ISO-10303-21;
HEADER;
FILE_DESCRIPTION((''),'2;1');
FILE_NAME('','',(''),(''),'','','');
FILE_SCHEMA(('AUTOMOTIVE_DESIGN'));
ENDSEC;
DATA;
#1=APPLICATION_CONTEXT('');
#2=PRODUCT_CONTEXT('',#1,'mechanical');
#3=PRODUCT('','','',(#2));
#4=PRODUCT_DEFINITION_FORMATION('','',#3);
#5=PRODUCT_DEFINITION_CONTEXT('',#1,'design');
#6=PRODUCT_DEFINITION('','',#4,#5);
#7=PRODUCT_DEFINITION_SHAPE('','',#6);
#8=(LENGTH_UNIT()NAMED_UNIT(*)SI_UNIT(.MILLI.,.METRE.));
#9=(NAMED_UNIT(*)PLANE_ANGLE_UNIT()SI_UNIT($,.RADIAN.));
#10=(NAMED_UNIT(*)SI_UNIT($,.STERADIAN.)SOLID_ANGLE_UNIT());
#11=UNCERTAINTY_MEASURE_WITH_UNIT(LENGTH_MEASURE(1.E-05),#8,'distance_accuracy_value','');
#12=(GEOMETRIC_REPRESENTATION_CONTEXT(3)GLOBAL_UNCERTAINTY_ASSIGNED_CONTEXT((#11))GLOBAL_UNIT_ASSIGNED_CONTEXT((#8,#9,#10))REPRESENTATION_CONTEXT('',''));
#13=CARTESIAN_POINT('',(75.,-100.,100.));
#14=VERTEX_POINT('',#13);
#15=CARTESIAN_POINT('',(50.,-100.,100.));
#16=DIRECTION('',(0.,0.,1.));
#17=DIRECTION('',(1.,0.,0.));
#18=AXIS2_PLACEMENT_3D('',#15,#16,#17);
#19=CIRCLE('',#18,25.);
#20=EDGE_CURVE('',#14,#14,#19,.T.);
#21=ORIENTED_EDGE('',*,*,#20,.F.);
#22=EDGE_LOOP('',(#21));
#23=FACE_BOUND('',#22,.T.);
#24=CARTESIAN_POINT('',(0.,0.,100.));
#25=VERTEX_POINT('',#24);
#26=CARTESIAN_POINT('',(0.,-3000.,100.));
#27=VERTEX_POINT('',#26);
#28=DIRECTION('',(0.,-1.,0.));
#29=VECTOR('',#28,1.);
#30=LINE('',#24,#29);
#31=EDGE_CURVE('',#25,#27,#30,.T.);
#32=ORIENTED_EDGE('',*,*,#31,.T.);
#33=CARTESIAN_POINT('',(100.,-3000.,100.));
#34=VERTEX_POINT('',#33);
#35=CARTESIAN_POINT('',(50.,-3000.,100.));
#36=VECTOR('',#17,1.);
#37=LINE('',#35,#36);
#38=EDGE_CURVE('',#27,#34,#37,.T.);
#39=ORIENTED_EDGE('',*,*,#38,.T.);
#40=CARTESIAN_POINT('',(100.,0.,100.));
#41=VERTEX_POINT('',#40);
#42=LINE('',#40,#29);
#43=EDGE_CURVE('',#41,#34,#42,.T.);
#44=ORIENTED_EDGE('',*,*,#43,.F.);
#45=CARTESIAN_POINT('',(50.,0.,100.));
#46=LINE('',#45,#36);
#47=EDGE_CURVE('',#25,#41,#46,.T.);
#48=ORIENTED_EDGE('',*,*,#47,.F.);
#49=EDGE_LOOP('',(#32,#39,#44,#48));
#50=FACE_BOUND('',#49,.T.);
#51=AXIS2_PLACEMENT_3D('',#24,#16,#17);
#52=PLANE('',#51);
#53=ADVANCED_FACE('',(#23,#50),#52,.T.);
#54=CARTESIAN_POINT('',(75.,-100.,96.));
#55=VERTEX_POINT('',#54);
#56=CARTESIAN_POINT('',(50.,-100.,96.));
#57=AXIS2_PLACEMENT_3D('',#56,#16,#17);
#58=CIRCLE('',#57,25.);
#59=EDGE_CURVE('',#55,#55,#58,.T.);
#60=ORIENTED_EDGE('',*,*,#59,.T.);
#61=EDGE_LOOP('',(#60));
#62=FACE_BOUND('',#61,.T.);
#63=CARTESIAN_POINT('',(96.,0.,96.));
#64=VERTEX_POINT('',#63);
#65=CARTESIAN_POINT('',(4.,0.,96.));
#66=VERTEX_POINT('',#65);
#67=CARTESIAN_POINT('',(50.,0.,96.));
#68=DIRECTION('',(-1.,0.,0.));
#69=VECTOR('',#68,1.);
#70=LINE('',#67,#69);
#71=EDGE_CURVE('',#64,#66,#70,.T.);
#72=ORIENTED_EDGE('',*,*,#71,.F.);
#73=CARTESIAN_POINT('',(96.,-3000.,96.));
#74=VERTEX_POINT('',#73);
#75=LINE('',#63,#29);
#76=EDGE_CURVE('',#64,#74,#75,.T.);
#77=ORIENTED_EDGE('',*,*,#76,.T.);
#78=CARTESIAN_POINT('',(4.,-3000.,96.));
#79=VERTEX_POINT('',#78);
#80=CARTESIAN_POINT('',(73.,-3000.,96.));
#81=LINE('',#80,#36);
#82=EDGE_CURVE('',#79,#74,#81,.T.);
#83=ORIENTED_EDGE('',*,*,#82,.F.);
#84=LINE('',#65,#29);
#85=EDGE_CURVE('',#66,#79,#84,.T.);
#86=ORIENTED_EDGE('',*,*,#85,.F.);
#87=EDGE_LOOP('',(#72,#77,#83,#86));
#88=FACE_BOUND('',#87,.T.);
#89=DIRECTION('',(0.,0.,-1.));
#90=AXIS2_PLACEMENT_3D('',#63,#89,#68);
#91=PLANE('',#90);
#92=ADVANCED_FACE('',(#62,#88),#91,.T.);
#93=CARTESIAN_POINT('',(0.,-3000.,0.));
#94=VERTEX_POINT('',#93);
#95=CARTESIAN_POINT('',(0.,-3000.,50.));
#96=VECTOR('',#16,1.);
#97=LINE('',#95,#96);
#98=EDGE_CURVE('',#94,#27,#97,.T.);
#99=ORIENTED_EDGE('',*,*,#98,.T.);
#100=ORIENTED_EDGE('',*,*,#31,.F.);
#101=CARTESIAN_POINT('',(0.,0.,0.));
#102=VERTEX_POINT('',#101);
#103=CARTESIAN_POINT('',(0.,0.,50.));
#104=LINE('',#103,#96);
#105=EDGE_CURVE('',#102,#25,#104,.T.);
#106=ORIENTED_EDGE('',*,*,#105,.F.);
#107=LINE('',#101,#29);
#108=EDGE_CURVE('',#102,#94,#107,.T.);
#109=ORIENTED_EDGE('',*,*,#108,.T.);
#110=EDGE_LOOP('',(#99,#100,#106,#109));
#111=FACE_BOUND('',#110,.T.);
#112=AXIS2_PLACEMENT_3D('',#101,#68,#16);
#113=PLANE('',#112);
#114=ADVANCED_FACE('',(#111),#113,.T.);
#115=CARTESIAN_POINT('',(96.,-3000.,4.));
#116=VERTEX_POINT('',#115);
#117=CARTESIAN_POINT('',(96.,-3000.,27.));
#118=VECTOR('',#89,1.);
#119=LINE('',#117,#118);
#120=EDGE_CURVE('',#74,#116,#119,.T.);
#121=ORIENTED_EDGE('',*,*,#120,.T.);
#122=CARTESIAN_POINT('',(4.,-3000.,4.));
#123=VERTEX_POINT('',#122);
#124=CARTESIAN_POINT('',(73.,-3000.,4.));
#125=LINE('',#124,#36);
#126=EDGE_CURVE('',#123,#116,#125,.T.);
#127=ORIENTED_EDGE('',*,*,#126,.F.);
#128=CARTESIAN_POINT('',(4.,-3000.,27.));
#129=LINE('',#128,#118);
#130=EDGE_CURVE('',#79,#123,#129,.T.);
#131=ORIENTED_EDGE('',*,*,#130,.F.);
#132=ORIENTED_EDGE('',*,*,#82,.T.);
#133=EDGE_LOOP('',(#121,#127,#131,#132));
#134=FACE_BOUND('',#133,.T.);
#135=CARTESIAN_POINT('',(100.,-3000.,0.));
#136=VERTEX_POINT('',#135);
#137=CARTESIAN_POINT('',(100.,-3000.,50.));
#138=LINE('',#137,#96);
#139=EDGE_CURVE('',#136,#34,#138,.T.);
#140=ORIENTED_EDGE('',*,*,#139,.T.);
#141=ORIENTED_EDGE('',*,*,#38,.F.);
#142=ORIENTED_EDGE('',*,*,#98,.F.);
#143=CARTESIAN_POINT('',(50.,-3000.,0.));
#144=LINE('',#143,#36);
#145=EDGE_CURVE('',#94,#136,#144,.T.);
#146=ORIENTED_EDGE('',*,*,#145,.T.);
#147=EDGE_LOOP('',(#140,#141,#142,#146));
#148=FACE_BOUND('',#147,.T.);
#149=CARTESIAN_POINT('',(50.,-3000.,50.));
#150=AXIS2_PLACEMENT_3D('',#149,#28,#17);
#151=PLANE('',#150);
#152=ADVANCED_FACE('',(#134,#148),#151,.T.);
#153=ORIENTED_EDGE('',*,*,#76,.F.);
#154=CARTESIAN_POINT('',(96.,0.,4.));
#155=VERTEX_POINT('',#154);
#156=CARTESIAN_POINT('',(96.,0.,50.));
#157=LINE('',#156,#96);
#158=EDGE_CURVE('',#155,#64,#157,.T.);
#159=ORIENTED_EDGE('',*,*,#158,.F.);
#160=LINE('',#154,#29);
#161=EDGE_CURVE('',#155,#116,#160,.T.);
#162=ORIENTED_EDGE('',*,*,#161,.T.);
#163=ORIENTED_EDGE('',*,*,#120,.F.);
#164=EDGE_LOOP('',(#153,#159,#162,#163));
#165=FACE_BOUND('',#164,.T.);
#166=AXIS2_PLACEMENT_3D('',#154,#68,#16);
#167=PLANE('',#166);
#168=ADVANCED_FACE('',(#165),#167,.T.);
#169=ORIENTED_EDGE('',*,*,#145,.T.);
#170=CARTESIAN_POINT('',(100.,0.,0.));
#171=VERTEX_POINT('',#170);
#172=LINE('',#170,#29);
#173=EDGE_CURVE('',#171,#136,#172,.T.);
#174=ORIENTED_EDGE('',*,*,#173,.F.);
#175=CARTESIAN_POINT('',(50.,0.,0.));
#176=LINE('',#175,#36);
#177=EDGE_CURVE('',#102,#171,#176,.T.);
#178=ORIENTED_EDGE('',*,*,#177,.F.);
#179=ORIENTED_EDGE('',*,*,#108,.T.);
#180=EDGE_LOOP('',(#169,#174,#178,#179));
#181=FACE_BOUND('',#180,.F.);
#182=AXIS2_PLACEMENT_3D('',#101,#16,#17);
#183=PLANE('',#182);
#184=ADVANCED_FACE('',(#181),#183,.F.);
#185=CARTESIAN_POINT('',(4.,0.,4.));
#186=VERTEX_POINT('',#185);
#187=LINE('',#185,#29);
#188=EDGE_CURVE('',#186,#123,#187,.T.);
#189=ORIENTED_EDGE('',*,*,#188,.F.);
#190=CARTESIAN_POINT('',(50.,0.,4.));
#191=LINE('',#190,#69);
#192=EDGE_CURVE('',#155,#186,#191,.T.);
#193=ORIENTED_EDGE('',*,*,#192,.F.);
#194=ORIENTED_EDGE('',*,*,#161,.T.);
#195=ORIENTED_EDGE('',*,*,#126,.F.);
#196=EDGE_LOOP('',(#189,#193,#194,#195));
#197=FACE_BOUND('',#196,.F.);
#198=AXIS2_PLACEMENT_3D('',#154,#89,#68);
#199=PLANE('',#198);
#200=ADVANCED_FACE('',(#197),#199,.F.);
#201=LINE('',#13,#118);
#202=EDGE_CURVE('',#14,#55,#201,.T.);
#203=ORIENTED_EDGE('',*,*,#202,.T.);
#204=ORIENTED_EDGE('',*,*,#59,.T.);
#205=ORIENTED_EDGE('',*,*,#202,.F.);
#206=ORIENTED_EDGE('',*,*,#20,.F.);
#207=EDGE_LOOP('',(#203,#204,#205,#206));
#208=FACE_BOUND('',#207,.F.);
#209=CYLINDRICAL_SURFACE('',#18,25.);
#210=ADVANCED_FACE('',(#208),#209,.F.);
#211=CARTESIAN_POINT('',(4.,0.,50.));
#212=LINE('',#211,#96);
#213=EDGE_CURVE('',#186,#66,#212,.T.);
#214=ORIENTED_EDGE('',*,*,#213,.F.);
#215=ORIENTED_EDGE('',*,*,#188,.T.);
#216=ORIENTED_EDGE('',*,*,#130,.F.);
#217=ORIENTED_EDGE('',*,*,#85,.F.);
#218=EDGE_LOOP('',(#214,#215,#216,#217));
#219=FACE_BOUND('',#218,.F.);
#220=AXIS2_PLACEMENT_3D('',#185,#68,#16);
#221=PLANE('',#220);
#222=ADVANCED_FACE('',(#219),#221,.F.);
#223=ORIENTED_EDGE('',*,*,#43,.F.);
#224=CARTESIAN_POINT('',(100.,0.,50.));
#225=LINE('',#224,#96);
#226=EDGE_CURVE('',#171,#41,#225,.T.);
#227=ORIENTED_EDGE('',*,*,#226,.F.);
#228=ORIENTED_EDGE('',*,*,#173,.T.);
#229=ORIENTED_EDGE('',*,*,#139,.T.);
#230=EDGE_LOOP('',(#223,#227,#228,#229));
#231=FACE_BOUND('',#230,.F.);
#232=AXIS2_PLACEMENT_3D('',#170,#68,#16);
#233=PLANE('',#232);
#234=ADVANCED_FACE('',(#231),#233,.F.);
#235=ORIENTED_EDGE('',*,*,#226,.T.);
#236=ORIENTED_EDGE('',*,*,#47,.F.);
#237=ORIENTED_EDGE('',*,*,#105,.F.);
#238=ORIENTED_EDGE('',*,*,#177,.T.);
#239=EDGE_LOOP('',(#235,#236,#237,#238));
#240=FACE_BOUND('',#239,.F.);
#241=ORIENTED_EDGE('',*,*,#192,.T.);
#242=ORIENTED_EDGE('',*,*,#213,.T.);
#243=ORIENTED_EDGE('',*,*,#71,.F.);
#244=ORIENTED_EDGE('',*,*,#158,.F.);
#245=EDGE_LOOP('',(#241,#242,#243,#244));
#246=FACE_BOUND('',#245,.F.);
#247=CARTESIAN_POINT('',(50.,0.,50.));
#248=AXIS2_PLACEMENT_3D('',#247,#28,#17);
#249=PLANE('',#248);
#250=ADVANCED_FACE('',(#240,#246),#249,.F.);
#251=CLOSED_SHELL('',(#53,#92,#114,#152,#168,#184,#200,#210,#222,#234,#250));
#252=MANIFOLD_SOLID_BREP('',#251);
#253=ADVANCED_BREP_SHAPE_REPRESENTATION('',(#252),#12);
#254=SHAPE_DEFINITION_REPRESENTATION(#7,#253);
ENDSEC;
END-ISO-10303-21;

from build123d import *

# Parameters (mm, degrees)
F0_W     = 100
F0_H     = 100
F1_DEPTH = 3000
F2_W     = 92
F2_H     = 92
F3_DEPTH = 3000.001
F4_R     = 25
F5_DEPTH = 4


with BuildPart() as f1:
    # F0 (on Front) → F1 (new body)
    with BuildSketch(Plane.XZ):
        with Locations((50, 50)):
            Rectangle(F0_W, F0_H)
    extrude(amount=F1_DEPTH)

    # F2 (on face) → F3 (cut, through all)
    with BuildSketch(Plane(origin=(0, 0, 0), x_dir=(-1, 0, 0), z_dir=(0, 1, 0))):
        with Locations((-50, 50)):
            Rectangle(F2_W, F2_H)
    extrude(amount=-F3_DEPTH, mode=Mode.SUBTRACT)

    # F4 (on face) → F5 (cut, through all)
    with BuildSketch(Plane.XY.offset(100)):
        with Locations((50, -100)):
            Circle(F4_R)
    extrude(amount=-F5_DEPTH, mode=Mode.SUBTRACT)


solid = f1.part
